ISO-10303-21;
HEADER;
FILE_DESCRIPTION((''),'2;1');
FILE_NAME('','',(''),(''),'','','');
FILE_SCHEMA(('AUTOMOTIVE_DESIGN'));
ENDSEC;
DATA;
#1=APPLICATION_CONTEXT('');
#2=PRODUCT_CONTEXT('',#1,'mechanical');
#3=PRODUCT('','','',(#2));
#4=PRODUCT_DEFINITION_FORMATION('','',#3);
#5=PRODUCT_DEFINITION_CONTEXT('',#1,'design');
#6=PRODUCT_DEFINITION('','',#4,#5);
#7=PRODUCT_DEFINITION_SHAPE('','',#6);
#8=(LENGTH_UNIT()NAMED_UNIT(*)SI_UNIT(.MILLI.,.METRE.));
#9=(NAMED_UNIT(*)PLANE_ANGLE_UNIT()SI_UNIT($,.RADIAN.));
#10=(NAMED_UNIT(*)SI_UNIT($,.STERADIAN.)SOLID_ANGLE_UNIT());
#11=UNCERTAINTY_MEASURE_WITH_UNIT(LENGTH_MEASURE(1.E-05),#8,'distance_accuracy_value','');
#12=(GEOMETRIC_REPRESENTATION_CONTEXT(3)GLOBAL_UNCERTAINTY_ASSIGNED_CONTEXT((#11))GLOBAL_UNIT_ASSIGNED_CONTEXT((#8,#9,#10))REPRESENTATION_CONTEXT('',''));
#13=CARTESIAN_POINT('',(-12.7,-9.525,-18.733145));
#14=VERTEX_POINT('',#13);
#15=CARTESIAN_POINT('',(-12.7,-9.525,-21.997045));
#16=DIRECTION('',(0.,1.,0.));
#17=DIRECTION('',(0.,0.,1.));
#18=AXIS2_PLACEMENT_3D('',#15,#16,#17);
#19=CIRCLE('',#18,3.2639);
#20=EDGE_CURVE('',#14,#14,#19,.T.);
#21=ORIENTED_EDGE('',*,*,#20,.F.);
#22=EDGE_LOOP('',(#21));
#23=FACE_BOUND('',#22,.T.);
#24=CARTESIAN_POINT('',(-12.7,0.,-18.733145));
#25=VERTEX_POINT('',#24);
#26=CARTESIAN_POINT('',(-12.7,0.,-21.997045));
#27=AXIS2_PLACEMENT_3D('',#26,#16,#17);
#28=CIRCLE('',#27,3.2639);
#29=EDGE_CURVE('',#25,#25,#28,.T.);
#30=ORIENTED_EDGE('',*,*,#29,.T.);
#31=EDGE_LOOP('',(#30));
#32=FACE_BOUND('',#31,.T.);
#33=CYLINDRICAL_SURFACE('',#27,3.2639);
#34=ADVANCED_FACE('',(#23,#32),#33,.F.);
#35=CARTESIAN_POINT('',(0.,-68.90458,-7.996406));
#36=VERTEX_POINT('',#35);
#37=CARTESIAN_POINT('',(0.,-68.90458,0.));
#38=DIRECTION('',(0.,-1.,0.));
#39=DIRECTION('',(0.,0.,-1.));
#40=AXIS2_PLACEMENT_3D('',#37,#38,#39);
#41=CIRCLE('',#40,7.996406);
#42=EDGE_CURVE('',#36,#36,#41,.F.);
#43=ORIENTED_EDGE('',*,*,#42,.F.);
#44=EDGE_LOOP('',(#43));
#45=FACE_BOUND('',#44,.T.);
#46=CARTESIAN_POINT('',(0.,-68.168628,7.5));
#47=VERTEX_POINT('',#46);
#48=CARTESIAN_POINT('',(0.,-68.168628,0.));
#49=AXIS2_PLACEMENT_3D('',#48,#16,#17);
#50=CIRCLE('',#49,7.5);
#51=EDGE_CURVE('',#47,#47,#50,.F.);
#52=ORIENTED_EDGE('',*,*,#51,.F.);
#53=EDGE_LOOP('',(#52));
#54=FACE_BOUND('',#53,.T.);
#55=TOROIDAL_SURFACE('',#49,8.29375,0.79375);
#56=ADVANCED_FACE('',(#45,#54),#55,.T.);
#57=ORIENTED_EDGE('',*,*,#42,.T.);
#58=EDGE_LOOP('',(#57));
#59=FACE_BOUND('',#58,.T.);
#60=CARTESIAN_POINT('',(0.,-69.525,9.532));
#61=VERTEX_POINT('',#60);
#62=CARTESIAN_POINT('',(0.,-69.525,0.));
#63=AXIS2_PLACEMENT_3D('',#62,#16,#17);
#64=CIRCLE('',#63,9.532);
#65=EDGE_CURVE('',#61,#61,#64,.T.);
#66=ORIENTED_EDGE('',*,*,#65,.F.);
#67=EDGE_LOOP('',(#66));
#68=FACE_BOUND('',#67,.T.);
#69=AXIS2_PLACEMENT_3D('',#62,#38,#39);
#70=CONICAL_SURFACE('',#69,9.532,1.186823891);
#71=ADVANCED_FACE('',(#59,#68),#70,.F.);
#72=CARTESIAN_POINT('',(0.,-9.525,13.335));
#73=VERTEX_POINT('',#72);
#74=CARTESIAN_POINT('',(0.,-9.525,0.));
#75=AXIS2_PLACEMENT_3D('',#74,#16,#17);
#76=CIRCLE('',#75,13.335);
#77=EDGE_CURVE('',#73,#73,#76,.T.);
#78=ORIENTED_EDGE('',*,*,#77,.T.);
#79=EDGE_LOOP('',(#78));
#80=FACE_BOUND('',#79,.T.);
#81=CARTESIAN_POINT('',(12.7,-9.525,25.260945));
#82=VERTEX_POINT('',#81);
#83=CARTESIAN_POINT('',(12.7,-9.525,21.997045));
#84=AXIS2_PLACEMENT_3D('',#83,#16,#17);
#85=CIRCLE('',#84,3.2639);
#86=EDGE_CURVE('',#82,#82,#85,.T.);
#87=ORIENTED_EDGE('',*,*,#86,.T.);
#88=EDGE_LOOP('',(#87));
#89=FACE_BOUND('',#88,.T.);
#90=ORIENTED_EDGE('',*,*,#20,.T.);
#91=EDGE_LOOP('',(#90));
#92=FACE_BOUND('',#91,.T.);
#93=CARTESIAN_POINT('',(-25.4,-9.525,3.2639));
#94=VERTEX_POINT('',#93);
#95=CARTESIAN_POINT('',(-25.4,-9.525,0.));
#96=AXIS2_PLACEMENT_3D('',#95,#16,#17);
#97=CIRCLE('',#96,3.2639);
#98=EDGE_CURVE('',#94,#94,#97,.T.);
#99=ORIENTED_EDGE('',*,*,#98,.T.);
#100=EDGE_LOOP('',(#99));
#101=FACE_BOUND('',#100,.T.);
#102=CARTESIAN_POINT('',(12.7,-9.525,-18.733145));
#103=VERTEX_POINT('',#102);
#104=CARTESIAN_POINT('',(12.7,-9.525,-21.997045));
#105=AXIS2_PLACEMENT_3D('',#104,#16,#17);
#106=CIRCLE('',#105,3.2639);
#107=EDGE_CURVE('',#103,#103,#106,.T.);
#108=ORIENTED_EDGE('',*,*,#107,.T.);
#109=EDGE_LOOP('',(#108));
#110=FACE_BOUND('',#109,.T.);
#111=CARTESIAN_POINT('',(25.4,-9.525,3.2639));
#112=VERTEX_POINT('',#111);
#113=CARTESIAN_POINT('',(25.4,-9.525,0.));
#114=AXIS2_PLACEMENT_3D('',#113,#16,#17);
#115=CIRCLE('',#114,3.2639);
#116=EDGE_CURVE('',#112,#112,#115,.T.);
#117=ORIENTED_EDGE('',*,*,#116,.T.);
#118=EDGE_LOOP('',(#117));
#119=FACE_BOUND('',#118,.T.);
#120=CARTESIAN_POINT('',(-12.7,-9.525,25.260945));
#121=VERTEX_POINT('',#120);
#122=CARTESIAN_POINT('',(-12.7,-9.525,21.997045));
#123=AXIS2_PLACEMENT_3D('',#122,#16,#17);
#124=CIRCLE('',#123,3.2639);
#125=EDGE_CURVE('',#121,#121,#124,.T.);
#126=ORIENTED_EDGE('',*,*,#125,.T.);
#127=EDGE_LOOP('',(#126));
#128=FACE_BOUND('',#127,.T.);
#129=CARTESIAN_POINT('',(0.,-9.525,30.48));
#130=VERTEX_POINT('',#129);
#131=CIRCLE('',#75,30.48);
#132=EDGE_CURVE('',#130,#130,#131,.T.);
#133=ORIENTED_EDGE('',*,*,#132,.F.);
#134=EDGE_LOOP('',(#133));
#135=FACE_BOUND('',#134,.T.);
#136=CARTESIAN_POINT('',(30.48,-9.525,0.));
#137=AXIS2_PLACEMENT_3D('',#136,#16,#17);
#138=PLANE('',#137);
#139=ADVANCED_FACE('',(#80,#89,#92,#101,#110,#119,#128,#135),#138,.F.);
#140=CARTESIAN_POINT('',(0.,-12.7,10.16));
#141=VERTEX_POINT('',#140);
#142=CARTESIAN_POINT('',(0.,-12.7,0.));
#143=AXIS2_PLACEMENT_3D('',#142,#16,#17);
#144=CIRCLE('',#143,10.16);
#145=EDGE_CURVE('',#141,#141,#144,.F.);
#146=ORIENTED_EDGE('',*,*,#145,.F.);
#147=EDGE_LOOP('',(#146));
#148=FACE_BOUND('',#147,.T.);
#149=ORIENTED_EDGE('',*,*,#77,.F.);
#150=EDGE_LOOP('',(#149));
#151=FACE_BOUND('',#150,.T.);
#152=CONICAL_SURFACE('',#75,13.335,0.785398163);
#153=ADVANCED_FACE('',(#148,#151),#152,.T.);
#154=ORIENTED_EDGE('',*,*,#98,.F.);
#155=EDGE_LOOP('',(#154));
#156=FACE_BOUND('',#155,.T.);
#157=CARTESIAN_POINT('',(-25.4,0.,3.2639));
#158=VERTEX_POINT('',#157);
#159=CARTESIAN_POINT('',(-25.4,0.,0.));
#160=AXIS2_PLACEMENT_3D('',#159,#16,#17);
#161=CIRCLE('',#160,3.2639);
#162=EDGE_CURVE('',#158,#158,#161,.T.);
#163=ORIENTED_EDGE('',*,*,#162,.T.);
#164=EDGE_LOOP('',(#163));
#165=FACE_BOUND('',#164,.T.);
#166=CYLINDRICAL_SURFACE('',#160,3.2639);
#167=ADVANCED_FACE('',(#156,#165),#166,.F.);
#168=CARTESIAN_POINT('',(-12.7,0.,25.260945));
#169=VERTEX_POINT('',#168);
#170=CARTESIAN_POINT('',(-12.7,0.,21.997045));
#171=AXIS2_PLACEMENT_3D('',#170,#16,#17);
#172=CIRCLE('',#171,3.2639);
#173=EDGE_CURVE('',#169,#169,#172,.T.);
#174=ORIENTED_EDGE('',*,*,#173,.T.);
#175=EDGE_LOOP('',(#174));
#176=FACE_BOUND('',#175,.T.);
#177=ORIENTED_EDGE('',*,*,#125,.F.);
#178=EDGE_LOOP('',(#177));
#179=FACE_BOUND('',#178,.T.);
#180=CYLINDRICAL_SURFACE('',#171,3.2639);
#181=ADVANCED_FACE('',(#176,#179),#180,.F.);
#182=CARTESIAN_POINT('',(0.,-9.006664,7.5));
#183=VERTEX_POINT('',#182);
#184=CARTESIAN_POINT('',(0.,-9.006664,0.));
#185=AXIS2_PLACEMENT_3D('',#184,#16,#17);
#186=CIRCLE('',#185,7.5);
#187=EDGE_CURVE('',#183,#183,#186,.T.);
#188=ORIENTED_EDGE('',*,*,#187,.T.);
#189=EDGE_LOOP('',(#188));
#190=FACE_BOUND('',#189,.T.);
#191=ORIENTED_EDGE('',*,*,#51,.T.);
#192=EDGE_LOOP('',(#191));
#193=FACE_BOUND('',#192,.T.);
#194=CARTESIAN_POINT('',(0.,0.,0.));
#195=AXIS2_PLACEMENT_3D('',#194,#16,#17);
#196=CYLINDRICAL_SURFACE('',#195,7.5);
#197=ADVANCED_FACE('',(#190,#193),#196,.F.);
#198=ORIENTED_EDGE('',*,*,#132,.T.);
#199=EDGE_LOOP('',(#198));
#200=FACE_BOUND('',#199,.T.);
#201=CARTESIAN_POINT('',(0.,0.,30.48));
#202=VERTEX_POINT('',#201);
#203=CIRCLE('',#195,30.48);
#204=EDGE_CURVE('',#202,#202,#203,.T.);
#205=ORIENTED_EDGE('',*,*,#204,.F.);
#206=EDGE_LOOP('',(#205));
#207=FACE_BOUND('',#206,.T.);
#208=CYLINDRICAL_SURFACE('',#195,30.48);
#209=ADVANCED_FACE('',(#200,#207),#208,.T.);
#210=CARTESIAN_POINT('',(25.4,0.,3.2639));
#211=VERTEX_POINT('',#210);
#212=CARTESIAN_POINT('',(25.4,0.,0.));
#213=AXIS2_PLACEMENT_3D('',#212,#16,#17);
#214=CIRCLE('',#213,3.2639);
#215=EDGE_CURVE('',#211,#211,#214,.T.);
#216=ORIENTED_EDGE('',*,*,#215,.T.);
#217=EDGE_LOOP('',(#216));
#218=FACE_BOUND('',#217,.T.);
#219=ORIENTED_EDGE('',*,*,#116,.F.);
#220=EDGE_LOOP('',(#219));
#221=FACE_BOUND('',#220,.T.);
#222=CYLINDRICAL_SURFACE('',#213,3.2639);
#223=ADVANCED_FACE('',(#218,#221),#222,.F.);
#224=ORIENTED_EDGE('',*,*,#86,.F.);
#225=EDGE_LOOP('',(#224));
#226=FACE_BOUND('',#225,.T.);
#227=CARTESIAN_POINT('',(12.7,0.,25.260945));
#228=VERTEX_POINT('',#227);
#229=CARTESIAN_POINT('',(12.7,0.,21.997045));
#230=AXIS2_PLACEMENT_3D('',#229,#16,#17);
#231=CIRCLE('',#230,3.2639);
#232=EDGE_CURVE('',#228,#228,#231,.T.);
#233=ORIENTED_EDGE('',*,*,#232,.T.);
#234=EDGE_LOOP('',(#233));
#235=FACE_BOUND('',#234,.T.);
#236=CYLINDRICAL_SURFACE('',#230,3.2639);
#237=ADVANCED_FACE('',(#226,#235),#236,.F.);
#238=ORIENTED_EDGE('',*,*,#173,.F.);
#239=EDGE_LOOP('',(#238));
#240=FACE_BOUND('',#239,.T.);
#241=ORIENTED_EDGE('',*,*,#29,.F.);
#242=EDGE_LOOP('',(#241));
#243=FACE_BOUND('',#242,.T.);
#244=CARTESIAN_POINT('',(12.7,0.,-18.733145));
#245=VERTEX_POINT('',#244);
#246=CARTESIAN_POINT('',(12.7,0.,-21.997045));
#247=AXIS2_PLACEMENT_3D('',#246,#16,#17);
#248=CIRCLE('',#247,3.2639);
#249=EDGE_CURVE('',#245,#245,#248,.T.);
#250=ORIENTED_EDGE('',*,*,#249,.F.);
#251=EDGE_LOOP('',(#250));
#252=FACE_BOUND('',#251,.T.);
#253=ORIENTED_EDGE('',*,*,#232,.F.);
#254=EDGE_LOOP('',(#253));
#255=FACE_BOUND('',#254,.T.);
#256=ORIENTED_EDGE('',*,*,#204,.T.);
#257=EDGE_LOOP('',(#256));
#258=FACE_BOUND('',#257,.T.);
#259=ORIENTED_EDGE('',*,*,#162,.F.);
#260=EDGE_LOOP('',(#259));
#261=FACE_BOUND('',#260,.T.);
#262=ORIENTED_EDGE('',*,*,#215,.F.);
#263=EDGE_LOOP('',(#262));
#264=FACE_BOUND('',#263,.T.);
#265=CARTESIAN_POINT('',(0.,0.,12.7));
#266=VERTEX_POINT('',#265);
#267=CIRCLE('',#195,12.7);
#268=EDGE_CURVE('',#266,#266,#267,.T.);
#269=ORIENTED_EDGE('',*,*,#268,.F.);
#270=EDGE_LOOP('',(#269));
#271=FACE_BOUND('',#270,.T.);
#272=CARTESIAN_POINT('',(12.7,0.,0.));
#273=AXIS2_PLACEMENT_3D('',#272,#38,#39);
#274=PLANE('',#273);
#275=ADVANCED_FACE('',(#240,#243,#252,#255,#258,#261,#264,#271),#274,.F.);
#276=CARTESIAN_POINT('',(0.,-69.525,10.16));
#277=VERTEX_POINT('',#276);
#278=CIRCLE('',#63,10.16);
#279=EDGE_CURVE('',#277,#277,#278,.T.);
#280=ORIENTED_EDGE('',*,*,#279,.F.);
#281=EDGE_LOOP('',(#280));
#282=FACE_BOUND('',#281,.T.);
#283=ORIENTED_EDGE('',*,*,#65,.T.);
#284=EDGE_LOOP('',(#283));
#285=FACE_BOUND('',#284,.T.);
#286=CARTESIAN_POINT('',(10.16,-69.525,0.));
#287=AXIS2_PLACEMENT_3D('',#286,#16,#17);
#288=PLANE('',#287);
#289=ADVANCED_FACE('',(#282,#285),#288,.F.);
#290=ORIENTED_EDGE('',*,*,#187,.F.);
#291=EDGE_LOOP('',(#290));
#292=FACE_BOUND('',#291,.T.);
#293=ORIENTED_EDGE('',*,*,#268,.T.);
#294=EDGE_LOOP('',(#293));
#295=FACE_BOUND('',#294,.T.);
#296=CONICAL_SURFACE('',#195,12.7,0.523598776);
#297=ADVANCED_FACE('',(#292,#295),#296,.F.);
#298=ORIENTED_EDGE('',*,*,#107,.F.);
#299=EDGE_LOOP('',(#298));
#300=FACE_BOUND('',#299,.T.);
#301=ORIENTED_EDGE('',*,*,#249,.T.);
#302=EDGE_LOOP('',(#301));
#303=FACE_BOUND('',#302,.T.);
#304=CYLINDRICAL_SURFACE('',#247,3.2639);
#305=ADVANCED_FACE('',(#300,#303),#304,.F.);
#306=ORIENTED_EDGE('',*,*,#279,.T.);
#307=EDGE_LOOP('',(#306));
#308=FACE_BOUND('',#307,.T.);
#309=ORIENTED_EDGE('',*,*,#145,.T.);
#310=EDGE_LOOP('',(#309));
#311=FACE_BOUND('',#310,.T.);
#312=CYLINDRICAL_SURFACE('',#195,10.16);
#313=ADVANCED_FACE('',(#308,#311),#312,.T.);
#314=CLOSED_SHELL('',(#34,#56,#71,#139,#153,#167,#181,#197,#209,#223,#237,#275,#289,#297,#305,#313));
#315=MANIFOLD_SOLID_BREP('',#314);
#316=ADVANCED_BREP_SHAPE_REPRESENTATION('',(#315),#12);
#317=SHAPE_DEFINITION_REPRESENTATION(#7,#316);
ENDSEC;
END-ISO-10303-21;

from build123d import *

# Parameters (mm, degrees)
F_1_4_CLEARANCE_HOLE1_D = 6.5278
CIRPATTERN1_COUNT       = 6
CHAMFER1_SIZE           = 2.032
CHAMFER1_SIZE2          = 0.820981291
FILLET1_R               = 0.79375
CHAMFER2_SIZE           = 3.175


with BuildPart() as part:
    # Sketch1 → Revolve1 (revolve)
    with BuildSketch(Plane.XY, mode=Mode.PRIVATE) as revolve1_sk:
        Polygon((7.5, -69.525), (7.5, -9.006664199), (12.7, 0), (30.48, 0), (30.48, -9.525), (10.16, -9.525), (10.16, -69.525), align=None)
    revolve(revolve1_sk.sketch.rotate(Axis((0, 0, 0), (0, -1, 0)), 90), axis=Axis((0, 0, 0), (0, -1, 0)))

    # 1/4 Clearance Hole1 (through all)
    with Locations(Plane(origin=(0, 0, 0), x_dir=(1, 0, 0), z_dir=(0, 1, 0))):
        with Locations((25.4, 0)):
            f_1_4_clearance_hole1 = Hole(F_1_4_CLEARANCE_HOLE1_D / 2)

    # CirPattern1: 1/4 Clearance Hole1 ×6 about axis
    cirpattern1_axis = Axis((0, 0, 0), (0, 1, 0))
    for i in range(1, CIRPATTERN1_COUNT):
        add(f_1_4_clearance_hole1.rotate(cirpattern1_axis, i * 360 / CIRPATTERN1_COUNT), mode=Mode.SUBTRACT)

    # Chamfer1
    chamfer1_edges = [part.edges().sort_by_distance(p)[0] for p in [
        (0, -69.525, -7.5),
    ]]
    chamfer1_side = [part.faces().sort_by_distance(p)[0] for p in [
        (0, -69.525, -9.872631804),
    ]]
    chamfer(chamfer1_edges, length=CHAMFER1_SIZE, length2=CHAMFER1_SIZE2, reference=chamfer1_side[0])

    # Fillet1
    fillet1_edges = [part.edges().sort_by_distance(p)[0] for p in [
        (0, -68.704018709, -7.5),
    ]]
    fillet(fillet1_edges, radius=FILLET1_R)

    # Chamfer2
    chamfer2_edges = [part.edges().sort_by_distance(p)[0] for p in [
        (0, -9.525, -10.16),
    ]]
    chamfer(chamfer2_edges, length=CHAMFER2_SIZE)


solid = part.part
